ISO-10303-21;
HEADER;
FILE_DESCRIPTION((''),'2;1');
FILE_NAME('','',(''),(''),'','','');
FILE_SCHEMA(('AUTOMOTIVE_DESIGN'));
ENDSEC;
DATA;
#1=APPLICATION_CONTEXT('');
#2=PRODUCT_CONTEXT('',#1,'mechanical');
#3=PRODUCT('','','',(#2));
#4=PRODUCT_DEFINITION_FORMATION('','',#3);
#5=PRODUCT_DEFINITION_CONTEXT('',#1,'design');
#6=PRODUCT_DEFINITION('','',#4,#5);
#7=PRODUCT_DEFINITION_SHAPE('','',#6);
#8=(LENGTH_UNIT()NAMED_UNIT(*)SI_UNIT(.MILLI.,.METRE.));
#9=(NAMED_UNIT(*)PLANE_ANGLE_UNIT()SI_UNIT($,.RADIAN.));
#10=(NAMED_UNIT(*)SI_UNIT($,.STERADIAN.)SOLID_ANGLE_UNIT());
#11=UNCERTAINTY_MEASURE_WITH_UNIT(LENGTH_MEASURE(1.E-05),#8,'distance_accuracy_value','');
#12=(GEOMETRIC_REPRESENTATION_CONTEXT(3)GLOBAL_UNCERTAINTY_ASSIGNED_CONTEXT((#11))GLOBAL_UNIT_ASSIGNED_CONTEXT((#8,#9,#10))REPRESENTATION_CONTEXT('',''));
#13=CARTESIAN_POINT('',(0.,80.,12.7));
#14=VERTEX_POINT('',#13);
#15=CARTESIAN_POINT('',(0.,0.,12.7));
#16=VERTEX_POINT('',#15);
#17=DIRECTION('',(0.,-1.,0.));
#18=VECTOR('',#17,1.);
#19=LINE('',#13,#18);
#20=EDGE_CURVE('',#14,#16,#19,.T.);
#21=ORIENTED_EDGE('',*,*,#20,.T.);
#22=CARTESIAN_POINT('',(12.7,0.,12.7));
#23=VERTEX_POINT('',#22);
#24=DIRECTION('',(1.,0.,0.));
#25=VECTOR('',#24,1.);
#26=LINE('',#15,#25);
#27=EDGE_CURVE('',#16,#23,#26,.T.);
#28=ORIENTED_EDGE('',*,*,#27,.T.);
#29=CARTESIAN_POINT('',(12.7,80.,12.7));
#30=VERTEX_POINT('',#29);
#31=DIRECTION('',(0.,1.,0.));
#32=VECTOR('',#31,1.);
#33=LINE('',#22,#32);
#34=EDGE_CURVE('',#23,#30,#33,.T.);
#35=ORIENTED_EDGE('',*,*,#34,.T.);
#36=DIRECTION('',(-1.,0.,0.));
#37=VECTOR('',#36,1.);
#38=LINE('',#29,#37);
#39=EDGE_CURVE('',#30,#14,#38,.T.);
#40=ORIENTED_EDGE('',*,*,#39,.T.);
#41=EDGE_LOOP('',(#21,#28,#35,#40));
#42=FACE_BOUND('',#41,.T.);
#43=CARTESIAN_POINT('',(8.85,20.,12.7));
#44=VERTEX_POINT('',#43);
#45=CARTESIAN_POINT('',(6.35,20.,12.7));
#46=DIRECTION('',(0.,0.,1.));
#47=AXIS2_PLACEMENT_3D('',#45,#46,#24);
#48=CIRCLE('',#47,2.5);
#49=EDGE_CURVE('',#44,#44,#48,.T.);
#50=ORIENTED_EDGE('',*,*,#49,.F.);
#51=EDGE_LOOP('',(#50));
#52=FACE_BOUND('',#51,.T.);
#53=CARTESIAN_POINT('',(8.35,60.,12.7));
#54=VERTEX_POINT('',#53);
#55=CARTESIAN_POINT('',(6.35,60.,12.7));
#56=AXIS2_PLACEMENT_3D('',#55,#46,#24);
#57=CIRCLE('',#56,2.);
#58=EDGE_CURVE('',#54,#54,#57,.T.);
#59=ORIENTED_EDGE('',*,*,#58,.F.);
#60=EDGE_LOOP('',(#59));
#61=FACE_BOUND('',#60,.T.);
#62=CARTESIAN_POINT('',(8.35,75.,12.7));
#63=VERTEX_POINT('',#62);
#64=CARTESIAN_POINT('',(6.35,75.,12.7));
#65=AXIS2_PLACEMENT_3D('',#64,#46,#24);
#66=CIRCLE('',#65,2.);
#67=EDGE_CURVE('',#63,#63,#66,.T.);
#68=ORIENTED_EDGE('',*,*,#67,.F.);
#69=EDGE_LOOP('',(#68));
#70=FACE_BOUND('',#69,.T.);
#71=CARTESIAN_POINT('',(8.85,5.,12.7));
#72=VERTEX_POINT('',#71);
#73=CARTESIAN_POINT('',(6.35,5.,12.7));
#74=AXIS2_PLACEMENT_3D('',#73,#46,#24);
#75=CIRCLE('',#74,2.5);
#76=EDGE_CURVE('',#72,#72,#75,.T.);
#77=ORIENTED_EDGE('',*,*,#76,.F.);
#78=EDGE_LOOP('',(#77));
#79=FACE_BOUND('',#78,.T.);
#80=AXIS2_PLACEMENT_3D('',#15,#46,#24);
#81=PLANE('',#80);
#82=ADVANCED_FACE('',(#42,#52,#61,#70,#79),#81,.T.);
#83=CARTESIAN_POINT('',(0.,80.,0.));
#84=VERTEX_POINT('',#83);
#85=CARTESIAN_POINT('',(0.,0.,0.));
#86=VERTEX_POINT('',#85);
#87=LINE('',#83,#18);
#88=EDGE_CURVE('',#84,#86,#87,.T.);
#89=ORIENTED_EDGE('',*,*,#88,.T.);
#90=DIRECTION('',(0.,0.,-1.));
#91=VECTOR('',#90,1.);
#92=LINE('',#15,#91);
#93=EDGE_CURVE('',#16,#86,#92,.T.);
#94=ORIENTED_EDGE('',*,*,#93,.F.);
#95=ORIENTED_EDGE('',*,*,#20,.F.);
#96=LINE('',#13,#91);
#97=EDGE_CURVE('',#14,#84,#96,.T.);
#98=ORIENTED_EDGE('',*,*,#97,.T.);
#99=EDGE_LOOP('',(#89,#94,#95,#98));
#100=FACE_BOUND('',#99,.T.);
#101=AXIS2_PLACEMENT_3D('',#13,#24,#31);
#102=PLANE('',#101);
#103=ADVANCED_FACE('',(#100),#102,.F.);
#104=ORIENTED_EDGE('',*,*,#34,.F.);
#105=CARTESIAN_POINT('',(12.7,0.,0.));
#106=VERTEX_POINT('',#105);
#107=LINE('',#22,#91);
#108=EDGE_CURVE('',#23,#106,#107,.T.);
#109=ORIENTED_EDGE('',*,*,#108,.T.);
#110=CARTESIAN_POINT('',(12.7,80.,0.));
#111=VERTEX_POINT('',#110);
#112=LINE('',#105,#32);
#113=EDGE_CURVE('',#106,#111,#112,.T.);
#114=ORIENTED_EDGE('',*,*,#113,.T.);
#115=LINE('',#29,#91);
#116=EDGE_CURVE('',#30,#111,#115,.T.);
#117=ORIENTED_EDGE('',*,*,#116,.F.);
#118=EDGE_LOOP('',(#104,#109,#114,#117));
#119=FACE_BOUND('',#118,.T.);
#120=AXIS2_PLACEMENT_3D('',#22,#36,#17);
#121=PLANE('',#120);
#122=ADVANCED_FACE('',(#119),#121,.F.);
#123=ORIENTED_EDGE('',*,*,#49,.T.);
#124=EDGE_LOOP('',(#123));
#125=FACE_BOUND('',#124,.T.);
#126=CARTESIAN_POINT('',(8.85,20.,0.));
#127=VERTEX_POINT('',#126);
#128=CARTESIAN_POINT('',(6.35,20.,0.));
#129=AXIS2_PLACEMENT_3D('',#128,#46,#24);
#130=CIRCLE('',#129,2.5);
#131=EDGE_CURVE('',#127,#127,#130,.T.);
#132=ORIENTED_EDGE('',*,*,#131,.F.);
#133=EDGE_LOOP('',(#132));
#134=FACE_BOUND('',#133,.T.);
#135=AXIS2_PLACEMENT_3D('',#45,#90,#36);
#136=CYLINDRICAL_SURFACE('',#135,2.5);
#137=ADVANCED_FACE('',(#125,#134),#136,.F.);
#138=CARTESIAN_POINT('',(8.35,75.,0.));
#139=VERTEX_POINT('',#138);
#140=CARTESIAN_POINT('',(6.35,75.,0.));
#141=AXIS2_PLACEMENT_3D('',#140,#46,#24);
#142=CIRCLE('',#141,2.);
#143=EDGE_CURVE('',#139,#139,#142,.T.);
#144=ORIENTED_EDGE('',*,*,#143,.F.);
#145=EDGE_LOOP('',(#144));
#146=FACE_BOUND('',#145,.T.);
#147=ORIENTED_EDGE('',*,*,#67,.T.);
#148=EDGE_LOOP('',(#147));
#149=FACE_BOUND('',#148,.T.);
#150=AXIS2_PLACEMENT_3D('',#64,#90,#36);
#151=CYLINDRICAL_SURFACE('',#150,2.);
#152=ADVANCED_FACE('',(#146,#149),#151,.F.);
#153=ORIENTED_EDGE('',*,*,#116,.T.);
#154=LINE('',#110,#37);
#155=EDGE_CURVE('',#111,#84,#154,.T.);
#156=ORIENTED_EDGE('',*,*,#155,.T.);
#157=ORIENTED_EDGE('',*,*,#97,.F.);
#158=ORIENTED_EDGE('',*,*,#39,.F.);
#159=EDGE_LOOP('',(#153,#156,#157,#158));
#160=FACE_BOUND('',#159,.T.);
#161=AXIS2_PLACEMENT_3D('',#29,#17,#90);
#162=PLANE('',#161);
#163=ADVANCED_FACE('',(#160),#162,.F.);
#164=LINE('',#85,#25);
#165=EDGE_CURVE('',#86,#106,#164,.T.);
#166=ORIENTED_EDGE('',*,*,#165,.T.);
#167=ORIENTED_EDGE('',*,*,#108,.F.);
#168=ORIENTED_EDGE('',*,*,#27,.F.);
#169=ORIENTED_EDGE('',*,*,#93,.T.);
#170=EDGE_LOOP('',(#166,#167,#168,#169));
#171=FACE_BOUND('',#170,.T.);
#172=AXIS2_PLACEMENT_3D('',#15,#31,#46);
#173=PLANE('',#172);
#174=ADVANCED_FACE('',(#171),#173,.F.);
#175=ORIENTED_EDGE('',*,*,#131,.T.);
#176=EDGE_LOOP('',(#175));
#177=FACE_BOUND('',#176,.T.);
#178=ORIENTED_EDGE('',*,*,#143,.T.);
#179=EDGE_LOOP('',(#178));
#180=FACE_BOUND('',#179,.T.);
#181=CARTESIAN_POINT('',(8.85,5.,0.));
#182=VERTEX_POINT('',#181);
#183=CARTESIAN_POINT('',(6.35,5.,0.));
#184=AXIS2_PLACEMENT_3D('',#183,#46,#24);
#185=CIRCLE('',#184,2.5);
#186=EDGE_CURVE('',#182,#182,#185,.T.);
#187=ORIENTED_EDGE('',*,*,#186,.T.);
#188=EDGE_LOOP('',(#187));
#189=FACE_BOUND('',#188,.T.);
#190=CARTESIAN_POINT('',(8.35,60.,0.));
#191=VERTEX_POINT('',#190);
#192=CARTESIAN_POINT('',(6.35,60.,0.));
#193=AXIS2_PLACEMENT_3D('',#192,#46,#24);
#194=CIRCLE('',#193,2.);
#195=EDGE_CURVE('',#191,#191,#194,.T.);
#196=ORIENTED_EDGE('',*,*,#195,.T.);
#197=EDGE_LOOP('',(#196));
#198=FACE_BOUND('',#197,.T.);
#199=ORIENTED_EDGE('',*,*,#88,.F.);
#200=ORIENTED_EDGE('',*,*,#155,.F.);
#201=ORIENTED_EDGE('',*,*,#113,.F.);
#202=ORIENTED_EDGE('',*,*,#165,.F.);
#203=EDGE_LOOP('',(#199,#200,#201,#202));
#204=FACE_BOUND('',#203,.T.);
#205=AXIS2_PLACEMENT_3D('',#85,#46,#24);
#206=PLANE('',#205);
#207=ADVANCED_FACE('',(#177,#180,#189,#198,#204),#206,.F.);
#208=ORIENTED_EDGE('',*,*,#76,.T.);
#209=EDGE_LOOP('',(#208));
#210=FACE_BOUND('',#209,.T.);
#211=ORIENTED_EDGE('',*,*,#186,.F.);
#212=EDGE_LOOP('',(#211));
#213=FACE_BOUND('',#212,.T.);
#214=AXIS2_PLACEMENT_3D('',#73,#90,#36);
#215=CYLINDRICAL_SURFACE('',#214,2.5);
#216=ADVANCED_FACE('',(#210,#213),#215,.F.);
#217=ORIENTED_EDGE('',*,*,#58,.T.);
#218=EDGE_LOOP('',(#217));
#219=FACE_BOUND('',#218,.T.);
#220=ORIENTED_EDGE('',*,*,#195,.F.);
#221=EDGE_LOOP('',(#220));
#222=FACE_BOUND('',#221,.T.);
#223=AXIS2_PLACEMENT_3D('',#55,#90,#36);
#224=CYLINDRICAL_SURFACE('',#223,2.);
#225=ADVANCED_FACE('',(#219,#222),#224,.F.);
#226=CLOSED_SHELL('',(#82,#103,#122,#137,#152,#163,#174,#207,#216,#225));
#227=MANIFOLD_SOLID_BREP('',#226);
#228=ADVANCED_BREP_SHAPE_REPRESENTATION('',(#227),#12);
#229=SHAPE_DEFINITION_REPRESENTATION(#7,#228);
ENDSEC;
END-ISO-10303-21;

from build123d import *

# Parameters (mm, degrees)
SKETCH1_W           = 12.7
SKETCH1_H           = 80
BOSS_EXTRUDE1_DEPTH = 12.7
SKETCH2_R           = 2.5
SKETCH2_R_2         = 2
CUT_EXTRUDE1_DEPTH  = 13.7


with BuildPart() as part:
    # Sketch1 → Boss-Extrude1 (new body)
    with BuildSketch(Plane.XY):
        with Locations((6.35, 40)):
            Rectangle(SKETCH1_W, SKETCH1_H)
    extrude(amount=BOSS_EXTRUDE1_DEPTH)

    # Sketch2 → Cut-Extrude1 (cut, through all)
    with BuildSketch(Plane.XY):
        with Locations((6.35, 5)):
            Circle(SKETCH2_R)
        with Locations((6.35, 20)):
            Circle(SKETCH2_R)
        with Locations((6.35, 60)):
            Circle(SKETCH2_R_2)
        with Locations((6.35, 75)):
            Circle(SKETCH2_R_2)
    extrude(amount=CUT_EXTRUDE1_DEPTH, mode=Mode.SUBTRACT)


solid = part.part
